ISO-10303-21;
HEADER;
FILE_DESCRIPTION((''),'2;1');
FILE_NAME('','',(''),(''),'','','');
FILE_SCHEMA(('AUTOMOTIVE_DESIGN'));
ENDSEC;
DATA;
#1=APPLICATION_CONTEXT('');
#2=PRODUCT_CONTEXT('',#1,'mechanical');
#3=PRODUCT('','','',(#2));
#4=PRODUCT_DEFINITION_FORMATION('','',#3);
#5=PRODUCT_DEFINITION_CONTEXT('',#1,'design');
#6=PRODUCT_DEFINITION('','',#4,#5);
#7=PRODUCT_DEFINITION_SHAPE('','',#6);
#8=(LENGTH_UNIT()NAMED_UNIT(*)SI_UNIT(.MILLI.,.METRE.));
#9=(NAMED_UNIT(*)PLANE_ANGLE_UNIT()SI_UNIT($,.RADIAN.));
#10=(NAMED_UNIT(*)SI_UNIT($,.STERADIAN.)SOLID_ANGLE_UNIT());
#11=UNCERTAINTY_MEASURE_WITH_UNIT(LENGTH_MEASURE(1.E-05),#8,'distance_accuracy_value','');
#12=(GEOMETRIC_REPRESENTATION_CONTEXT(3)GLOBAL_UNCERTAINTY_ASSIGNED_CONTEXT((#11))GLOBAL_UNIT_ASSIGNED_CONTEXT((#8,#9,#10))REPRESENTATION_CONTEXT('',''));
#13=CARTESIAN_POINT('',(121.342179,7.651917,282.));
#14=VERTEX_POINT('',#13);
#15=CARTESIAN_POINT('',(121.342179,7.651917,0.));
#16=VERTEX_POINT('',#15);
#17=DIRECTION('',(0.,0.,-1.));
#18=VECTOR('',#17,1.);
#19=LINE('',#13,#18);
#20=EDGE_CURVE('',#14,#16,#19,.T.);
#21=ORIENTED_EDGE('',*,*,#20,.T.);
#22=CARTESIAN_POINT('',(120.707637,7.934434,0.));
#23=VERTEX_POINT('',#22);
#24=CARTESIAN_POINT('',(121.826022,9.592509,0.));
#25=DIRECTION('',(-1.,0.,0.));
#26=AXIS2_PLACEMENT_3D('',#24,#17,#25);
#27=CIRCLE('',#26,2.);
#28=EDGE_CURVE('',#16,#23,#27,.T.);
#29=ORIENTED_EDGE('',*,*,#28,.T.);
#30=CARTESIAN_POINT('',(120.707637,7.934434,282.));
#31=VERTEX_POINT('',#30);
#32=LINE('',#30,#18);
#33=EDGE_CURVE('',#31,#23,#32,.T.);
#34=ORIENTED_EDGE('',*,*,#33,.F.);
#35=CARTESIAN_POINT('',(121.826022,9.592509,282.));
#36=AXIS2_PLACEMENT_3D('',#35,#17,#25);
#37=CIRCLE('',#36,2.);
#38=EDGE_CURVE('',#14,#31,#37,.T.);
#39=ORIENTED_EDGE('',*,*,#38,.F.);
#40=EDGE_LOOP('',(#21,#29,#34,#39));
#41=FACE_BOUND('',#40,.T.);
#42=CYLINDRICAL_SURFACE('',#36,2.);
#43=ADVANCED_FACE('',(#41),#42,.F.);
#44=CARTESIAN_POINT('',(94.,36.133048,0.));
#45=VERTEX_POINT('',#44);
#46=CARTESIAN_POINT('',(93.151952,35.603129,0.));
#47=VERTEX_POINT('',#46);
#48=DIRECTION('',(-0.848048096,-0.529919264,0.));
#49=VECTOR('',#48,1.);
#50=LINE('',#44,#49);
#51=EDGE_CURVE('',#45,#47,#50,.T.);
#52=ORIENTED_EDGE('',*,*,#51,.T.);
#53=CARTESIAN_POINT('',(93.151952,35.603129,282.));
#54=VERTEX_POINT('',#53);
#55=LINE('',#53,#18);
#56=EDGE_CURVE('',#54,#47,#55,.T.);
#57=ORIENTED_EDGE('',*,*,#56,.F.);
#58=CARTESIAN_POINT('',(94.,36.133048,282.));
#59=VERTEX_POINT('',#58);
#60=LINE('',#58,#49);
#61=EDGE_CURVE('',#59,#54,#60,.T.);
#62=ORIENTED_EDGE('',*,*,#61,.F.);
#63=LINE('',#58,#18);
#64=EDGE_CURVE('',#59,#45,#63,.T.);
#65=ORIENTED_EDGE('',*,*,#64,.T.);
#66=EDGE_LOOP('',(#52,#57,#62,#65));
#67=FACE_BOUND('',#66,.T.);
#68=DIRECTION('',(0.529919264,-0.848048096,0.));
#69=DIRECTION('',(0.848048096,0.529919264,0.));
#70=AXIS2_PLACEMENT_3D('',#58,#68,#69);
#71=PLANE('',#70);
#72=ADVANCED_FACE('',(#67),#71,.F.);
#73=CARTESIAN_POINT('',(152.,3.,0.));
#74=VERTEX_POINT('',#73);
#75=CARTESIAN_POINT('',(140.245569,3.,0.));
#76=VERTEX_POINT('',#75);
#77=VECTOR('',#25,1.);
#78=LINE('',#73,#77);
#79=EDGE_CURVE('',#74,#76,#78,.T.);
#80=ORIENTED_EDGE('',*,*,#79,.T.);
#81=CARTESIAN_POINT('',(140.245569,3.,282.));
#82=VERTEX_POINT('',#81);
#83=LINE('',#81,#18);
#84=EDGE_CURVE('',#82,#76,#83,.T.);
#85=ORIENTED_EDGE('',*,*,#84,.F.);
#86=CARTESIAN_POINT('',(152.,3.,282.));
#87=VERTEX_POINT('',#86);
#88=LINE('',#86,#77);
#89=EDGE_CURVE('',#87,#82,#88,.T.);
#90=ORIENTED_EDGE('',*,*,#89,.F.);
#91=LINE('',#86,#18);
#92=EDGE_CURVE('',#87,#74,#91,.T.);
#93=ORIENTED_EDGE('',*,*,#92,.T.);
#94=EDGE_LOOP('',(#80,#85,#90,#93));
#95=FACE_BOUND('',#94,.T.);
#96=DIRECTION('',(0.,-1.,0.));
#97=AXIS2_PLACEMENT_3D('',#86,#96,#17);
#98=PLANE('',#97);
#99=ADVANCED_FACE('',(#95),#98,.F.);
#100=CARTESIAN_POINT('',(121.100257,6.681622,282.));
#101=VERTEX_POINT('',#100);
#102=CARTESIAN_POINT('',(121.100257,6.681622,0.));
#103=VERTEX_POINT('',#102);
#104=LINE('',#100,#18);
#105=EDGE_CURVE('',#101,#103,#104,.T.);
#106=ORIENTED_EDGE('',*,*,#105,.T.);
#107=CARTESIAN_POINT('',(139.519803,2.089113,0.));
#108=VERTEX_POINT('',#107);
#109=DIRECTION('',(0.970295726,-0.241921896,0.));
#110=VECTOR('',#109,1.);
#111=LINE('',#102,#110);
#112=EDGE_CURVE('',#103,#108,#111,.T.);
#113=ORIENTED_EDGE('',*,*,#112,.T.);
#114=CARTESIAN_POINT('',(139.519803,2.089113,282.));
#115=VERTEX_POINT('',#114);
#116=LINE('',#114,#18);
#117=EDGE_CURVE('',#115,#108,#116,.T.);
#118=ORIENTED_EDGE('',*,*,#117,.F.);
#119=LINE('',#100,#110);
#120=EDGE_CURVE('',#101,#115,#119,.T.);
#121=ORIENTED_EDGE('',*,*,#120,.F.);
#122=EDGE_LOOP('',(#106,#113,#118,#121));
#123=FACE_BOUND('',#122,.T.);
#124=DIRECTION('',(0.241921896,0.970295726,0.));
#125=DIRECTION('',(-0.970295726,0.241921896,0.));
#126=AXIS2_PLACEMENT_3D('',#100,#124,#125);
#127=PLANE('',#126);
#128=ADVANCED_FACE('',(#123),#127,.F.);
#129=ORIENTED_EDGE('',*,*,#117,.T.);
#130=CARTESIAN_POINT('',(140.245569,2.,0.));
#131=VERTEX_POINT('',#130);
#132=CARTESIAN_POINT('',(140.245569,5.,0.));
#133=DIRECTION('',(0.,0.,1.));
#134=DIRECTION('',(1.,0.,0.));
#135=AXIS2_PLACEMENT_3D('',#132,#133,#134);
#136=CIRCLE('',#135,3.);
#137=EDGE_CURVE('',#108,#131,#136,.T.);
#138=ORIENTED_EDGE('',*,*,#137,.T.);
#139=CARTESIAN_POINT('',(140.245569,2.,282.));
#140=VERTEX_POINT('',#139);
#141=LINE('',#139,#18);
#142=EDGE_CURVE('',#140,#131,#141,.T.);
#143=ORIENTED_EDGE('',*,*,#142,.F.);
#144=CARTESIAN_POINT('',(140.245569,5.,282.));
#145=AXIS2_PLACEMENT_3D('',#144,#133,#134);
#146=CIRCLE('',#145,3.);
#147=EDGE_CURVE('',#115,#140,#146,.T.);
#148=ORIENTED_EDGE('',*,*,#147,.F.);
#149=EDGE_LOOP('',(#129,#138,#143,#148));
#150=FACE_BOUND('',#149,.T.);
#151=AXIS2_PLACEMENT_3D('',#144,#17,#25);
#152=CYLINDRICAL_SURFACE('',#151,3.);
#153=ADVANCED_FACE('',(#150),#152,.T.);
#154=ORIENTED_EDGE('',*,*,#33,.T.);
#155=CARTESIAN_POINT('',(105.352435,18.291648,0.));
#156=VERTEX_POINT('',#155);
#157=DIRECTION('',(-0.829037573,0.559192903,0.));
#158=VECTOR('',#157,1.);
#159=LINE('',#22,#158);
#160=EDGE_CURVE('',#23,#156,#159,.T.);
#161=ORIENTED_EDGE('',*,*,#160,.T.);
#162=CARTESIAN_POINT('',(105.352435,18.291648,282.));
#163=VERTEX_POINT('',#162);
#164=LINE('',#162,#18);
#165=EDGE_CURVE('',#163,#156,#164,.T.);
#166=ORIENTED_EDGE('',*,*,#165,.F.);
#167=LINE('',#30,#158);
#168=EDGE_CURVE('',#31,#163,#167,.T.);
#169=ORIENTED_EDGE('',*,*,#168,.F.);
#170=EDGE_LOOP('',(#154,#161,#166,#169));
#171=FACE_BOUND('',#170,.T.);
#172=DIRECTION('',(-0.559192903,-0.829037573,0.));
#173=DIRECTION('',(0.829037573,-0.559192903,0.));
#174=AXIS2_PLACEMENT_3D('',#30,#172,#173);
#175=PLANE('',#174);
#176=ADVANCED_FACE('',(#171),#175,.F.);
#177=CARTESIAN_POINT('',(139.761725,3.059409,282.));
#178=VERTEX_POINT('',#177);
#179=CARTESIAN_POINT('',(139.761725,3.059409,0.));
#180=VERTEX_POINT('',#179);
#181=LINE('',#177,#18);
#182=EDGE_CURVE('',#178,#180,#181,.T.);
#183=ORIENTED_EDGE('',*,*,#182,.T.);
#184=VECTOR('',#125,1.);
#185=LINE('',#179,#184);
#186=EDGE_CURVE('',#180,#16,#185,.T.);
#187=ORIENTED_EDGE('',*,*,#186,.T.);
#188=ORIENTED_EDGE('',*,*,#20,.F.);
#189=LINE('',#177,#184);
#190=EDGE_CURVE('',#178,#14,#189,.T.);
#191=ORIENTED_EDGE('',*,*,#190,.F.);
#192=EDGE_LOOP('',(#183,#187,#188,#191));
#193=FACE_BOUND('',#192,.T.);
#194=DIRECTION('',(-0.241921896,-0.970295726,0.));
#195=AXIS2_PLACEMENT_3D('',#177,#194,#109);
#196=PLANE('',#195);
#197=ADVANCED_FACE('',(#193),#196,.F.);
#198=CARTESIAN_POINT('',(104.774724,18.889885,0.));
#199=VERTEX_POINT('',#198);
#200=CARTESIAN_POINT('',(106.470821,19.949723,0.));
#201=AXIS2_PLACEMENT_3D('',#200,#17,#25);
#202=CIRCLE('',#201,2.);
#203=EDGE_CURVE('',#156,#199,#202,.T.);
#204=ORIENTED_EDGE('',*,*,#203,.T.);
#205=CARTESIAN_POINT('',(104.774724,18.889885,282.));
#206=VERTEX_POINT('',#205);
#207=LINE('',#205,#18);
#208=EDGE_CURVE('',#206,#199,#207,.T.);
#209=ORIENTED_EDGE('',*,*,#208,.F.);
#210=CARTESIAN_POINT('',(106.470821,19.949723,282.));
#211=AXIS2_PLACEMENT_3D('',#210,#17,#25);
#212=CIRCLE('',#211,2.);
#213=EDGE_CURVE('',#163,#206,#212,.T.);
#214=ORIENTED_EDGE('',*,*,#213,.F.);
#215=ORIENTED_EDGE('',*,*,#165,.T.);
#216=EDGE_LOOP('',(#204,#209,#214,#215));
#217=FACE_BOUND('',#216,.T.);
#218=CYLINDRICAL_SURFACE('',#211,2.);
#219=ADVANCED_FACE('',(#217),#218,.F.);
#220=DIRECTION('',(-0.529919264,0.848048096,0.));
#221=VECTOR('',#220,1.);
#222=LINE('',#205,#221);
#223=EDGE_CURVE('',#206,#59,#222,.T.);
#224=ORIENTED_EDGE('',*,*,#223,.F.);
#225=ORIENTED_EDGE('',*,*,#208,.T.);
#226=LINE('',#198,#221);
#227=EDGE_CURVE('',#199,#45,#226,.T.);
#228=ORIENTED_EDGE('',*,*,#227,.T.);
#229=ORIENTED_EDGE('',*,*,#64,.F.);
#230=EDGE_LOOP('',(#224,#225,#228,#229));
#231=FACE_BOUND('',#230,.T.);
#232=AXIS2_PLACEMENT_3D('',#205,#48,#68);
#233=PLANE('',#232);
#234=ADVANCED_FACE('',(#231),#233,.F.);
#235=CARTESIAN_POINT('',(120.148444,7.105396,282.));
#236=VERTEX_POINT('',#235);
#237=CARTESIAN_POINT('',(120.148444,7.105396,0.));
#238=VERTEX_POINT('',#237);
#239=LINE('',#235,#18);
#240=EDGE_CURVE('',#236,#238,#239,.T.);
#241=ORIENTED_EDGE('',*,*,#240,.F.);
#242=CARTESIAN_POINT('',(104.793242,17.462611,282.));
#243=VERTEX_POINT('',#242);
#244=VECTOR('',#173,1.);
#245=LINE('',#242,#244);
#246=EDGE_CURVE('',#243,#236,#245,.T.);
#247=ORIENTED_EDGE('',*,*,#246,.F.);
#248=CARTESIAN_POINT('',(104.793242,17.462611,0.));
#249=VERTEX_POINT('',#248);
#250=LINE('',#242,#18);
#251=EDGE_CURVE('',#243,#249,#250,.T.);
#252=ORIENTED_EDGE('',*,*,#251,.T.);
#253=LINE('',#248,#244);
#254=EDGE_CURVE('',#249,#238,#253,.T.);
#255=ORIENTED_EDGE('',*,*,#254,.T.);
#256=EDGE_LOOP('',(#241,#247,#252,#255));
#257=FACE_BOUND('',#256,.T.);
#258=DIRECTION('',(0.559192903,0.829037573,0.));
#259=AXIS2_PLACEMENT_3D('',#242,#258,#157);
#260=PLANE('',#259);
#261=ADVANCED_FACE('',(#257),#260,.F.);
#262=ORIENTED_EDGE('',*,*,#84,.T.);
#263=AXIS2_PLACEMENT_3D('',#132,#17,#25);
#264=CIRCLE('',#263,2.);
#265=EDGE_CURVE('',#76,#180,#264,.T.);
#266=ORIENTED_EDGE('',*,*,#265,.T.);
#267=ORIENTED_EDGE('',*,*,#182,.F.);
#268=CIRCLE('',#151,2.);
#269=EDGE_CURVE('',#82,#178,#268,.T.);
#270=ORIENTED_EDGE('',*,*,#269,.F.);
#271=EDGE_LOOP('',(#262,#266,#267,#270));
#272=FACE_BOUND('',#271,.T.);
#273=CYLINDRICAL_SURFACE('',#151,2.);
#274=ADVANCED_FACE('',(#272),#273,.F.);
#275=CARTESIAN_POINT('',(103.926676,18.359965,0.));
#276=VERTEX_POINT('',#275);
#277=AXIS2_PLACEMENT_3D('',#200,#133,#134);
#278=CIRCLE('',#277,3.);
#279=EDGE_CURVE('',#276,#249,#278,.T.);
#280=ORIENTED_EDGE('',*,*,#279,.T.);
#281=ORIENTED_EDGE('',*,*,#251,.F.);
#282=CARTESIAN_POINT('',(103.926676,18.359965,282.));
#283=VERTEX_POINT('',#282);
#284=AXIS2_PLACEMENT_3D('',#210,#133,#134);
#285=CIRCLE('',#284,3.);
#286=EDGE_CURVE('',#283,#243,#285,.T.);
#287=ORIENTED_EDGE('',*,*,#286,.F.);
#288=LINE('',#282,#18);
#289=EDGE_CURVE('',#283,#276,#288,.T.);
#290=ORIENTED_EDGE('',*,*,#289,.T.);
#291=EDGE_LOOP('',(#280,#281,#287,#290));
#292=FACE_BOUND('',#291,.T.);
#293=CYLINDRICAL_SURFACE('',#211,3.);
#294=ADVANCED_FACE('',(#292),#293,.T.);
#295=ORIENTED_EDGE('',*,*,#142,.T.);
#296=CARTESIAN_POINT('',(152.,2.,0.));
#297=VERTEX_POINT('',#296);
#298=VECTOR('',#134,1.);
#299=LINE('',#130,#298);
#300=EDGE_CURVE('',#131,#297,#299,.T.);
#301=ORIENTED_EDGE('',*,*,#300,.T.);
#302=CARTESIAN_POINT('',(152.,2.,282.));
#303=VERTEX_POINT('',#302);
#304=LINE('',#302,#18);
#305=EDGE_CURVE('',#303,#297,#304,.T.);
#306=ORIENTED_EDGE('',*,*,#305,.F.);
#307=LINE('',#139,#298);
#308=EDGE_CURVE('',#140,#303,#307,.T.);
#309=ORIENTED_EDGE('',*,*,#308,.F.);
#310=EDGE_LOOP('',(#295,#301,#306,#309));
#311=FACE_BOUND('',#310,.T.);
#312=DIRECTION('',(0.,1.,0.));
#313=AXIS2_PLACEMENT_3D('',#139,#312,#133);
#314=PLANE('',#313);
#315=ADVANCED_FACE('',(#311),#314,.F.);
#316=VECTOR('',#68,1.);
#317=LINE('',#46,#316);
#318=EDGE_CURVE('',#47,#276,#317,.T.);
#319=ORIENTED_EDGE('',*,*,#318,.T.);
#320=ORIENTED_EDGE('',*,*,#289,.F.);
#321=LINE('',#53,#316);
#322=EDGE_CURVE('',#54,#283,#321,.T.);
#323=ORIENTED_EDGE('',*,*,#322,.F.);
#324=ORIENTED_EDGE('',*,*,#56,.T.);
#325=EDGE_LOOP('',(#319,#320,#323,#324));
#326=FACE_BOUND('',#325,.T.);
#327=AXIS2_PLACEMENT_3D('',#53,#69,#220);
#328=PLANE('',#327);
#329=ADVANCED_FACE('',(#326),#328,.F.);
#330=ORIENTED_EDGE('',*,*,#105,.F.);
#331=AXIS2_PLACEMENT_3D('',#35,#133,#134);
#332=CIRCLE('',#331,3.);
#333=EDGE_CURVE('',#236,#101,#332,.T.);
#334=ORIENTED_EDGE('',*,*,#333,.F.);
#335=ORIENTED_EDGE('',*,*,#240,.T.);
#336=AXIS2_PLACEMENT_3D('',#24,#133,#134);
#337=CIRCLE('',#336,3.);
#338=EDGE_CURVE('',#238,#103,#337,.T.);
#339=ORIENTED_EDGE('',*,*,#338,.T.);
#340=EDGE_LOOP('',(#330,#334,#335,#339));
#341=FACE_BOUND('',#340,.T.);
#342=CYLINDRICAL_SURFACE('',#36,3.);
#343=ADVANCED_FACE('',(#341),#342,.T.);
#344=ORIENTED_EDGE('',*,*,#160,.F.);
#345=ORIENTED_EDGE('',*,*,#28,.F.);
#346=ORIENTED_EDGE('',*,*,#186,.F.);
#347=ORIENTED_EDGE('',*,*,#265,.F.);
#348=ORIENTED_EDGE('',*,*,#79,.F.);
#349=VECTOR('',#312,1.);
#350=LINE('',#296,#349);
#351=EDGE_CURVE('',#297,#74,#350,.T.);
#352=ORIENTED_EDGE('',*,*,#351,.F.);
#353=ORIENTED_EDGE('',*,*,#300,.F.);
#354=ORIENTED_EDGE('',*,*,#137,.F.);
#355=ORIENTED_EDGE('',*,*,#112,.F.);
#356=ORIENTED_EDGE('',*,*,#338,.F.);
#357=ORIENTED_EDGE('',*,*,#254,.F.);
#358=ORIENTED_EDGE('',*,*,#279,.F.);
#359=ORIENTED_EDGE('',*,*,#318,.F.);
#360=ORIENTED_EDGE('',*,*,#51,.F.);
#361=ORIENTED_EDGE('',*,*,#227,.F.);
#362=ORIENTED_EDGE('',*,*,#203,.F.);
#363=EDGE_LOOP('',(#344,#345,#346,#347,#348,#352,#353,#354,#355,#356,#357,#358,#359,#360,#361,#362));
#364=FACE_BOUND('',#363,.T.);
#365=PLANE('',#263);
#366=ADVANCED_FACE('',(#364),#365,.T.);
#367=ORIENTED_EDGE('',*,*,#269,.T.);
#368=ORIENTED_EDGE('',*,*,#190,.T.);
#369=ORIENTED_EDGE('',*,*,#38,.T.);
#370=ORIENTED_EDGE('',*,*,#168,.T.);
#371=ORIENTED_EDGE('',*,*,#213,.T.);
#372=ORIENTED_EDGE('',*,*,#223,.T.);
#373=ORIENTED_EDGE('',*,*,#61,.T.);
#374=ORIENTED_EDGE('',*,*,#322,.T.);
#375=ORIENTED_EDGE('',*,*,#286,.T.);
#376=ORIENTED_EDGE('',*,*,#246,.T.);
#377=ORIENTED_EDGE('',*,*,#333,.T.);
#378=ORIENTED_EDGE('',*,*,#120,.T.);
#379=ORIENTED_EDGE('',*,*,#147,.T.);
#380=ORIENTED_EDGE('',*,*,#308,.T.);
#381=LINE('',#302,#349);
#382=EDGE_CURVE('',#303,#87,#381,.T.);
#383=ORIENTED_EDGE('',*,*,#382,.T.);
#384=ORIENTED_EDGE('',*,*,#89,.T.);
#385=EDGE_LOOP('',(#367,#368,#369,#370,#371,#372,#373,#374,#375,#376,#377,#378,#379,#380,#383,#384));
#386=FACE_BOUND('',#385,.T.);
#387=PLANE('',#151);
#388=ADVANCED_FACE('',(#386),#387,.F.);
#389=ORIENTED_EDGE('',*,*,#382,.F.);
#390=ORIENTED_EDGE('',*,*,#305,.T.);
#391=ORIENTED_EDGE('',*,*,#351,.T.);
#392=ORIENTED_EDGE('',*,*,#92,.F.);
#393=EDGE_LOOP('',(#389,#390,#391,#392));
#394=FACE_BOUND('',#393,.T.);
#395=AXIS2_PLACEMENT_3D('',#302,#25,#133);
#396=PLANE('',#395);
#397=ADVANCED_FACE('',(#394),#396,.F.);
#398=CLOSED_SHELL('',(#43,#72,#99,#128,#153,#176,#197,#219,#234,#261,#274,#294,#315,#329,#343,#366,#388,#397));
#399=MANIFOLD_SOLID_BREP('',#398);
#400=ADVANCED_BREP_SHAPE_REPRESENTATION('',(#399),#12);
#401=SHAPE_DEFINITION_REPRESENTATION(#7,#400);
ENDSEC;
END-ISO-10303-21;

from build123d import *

# Parameters (mm, degrees)
CONTINUOUS_OUTER_IMPACT_SKIN_DEPTH = 282


with BuildPart() as part:
    # Continuous outer impact skin profile → Continuous outer impact skin (new body)
    with BuildSketch(Plane.XY):
        with BuildLine():
            Line((152, 3), (140.245569122, 3))
            ThreePointArc((140.245569122, 3), (140.001830435, 3.014907697), (139.761725331, 3.059408547))
            Line((139.761725331, 3.059408547), (121.342178632, 7.651917339))
            ThreePointArc((121.342178632, 7.651917339), (121.012549136, 7.765417876), (120.707636616, 7.934433647))
            Line((120.707636616, 7.934433647), (105.352434752, 18.291648082))
            ThreePointArc((105.352434752, 18.291648082), (105.032140958, 18.560406486), (104.774724366, 18.889884698))
            Line((104.774724366, 18.889884698), (94, 36.133048143))
            Line((94, 36.133048143), (93.151951903, 35.603128878))
            Line((93.151951903, 35.603128878), (103.926676269, 18.359965433))
            ThreePointArc((103.926676269, 18.359965433), (104.312801157, 17.865748115), (104.793241848, 17.462610509))
            Line((104.793241848, 17.462610509), (120.148443712, 7.105396074))
            ThreePointArc((120.148443712, 7.105396074), (120.605812493, 6.851872418), (121.100256736, 6.681621612))
            Line((121.100256736, 6.681621612), (139.519803435, 2.08911282))
            ThreePointArc((139.519803435, 2.08911282), (139.879961091, 2.022361545), (140.245569122, 1.999999999))
            Line((140.245569122, 1.999999999), (152, 1.999999999))
            Line((152, 1.999999999), (152, 3))
        make_face()
    extrude(amount=CONTINUOUS_OUTER_IMPACT_SKIN_DEPTH)


solid = part.part
